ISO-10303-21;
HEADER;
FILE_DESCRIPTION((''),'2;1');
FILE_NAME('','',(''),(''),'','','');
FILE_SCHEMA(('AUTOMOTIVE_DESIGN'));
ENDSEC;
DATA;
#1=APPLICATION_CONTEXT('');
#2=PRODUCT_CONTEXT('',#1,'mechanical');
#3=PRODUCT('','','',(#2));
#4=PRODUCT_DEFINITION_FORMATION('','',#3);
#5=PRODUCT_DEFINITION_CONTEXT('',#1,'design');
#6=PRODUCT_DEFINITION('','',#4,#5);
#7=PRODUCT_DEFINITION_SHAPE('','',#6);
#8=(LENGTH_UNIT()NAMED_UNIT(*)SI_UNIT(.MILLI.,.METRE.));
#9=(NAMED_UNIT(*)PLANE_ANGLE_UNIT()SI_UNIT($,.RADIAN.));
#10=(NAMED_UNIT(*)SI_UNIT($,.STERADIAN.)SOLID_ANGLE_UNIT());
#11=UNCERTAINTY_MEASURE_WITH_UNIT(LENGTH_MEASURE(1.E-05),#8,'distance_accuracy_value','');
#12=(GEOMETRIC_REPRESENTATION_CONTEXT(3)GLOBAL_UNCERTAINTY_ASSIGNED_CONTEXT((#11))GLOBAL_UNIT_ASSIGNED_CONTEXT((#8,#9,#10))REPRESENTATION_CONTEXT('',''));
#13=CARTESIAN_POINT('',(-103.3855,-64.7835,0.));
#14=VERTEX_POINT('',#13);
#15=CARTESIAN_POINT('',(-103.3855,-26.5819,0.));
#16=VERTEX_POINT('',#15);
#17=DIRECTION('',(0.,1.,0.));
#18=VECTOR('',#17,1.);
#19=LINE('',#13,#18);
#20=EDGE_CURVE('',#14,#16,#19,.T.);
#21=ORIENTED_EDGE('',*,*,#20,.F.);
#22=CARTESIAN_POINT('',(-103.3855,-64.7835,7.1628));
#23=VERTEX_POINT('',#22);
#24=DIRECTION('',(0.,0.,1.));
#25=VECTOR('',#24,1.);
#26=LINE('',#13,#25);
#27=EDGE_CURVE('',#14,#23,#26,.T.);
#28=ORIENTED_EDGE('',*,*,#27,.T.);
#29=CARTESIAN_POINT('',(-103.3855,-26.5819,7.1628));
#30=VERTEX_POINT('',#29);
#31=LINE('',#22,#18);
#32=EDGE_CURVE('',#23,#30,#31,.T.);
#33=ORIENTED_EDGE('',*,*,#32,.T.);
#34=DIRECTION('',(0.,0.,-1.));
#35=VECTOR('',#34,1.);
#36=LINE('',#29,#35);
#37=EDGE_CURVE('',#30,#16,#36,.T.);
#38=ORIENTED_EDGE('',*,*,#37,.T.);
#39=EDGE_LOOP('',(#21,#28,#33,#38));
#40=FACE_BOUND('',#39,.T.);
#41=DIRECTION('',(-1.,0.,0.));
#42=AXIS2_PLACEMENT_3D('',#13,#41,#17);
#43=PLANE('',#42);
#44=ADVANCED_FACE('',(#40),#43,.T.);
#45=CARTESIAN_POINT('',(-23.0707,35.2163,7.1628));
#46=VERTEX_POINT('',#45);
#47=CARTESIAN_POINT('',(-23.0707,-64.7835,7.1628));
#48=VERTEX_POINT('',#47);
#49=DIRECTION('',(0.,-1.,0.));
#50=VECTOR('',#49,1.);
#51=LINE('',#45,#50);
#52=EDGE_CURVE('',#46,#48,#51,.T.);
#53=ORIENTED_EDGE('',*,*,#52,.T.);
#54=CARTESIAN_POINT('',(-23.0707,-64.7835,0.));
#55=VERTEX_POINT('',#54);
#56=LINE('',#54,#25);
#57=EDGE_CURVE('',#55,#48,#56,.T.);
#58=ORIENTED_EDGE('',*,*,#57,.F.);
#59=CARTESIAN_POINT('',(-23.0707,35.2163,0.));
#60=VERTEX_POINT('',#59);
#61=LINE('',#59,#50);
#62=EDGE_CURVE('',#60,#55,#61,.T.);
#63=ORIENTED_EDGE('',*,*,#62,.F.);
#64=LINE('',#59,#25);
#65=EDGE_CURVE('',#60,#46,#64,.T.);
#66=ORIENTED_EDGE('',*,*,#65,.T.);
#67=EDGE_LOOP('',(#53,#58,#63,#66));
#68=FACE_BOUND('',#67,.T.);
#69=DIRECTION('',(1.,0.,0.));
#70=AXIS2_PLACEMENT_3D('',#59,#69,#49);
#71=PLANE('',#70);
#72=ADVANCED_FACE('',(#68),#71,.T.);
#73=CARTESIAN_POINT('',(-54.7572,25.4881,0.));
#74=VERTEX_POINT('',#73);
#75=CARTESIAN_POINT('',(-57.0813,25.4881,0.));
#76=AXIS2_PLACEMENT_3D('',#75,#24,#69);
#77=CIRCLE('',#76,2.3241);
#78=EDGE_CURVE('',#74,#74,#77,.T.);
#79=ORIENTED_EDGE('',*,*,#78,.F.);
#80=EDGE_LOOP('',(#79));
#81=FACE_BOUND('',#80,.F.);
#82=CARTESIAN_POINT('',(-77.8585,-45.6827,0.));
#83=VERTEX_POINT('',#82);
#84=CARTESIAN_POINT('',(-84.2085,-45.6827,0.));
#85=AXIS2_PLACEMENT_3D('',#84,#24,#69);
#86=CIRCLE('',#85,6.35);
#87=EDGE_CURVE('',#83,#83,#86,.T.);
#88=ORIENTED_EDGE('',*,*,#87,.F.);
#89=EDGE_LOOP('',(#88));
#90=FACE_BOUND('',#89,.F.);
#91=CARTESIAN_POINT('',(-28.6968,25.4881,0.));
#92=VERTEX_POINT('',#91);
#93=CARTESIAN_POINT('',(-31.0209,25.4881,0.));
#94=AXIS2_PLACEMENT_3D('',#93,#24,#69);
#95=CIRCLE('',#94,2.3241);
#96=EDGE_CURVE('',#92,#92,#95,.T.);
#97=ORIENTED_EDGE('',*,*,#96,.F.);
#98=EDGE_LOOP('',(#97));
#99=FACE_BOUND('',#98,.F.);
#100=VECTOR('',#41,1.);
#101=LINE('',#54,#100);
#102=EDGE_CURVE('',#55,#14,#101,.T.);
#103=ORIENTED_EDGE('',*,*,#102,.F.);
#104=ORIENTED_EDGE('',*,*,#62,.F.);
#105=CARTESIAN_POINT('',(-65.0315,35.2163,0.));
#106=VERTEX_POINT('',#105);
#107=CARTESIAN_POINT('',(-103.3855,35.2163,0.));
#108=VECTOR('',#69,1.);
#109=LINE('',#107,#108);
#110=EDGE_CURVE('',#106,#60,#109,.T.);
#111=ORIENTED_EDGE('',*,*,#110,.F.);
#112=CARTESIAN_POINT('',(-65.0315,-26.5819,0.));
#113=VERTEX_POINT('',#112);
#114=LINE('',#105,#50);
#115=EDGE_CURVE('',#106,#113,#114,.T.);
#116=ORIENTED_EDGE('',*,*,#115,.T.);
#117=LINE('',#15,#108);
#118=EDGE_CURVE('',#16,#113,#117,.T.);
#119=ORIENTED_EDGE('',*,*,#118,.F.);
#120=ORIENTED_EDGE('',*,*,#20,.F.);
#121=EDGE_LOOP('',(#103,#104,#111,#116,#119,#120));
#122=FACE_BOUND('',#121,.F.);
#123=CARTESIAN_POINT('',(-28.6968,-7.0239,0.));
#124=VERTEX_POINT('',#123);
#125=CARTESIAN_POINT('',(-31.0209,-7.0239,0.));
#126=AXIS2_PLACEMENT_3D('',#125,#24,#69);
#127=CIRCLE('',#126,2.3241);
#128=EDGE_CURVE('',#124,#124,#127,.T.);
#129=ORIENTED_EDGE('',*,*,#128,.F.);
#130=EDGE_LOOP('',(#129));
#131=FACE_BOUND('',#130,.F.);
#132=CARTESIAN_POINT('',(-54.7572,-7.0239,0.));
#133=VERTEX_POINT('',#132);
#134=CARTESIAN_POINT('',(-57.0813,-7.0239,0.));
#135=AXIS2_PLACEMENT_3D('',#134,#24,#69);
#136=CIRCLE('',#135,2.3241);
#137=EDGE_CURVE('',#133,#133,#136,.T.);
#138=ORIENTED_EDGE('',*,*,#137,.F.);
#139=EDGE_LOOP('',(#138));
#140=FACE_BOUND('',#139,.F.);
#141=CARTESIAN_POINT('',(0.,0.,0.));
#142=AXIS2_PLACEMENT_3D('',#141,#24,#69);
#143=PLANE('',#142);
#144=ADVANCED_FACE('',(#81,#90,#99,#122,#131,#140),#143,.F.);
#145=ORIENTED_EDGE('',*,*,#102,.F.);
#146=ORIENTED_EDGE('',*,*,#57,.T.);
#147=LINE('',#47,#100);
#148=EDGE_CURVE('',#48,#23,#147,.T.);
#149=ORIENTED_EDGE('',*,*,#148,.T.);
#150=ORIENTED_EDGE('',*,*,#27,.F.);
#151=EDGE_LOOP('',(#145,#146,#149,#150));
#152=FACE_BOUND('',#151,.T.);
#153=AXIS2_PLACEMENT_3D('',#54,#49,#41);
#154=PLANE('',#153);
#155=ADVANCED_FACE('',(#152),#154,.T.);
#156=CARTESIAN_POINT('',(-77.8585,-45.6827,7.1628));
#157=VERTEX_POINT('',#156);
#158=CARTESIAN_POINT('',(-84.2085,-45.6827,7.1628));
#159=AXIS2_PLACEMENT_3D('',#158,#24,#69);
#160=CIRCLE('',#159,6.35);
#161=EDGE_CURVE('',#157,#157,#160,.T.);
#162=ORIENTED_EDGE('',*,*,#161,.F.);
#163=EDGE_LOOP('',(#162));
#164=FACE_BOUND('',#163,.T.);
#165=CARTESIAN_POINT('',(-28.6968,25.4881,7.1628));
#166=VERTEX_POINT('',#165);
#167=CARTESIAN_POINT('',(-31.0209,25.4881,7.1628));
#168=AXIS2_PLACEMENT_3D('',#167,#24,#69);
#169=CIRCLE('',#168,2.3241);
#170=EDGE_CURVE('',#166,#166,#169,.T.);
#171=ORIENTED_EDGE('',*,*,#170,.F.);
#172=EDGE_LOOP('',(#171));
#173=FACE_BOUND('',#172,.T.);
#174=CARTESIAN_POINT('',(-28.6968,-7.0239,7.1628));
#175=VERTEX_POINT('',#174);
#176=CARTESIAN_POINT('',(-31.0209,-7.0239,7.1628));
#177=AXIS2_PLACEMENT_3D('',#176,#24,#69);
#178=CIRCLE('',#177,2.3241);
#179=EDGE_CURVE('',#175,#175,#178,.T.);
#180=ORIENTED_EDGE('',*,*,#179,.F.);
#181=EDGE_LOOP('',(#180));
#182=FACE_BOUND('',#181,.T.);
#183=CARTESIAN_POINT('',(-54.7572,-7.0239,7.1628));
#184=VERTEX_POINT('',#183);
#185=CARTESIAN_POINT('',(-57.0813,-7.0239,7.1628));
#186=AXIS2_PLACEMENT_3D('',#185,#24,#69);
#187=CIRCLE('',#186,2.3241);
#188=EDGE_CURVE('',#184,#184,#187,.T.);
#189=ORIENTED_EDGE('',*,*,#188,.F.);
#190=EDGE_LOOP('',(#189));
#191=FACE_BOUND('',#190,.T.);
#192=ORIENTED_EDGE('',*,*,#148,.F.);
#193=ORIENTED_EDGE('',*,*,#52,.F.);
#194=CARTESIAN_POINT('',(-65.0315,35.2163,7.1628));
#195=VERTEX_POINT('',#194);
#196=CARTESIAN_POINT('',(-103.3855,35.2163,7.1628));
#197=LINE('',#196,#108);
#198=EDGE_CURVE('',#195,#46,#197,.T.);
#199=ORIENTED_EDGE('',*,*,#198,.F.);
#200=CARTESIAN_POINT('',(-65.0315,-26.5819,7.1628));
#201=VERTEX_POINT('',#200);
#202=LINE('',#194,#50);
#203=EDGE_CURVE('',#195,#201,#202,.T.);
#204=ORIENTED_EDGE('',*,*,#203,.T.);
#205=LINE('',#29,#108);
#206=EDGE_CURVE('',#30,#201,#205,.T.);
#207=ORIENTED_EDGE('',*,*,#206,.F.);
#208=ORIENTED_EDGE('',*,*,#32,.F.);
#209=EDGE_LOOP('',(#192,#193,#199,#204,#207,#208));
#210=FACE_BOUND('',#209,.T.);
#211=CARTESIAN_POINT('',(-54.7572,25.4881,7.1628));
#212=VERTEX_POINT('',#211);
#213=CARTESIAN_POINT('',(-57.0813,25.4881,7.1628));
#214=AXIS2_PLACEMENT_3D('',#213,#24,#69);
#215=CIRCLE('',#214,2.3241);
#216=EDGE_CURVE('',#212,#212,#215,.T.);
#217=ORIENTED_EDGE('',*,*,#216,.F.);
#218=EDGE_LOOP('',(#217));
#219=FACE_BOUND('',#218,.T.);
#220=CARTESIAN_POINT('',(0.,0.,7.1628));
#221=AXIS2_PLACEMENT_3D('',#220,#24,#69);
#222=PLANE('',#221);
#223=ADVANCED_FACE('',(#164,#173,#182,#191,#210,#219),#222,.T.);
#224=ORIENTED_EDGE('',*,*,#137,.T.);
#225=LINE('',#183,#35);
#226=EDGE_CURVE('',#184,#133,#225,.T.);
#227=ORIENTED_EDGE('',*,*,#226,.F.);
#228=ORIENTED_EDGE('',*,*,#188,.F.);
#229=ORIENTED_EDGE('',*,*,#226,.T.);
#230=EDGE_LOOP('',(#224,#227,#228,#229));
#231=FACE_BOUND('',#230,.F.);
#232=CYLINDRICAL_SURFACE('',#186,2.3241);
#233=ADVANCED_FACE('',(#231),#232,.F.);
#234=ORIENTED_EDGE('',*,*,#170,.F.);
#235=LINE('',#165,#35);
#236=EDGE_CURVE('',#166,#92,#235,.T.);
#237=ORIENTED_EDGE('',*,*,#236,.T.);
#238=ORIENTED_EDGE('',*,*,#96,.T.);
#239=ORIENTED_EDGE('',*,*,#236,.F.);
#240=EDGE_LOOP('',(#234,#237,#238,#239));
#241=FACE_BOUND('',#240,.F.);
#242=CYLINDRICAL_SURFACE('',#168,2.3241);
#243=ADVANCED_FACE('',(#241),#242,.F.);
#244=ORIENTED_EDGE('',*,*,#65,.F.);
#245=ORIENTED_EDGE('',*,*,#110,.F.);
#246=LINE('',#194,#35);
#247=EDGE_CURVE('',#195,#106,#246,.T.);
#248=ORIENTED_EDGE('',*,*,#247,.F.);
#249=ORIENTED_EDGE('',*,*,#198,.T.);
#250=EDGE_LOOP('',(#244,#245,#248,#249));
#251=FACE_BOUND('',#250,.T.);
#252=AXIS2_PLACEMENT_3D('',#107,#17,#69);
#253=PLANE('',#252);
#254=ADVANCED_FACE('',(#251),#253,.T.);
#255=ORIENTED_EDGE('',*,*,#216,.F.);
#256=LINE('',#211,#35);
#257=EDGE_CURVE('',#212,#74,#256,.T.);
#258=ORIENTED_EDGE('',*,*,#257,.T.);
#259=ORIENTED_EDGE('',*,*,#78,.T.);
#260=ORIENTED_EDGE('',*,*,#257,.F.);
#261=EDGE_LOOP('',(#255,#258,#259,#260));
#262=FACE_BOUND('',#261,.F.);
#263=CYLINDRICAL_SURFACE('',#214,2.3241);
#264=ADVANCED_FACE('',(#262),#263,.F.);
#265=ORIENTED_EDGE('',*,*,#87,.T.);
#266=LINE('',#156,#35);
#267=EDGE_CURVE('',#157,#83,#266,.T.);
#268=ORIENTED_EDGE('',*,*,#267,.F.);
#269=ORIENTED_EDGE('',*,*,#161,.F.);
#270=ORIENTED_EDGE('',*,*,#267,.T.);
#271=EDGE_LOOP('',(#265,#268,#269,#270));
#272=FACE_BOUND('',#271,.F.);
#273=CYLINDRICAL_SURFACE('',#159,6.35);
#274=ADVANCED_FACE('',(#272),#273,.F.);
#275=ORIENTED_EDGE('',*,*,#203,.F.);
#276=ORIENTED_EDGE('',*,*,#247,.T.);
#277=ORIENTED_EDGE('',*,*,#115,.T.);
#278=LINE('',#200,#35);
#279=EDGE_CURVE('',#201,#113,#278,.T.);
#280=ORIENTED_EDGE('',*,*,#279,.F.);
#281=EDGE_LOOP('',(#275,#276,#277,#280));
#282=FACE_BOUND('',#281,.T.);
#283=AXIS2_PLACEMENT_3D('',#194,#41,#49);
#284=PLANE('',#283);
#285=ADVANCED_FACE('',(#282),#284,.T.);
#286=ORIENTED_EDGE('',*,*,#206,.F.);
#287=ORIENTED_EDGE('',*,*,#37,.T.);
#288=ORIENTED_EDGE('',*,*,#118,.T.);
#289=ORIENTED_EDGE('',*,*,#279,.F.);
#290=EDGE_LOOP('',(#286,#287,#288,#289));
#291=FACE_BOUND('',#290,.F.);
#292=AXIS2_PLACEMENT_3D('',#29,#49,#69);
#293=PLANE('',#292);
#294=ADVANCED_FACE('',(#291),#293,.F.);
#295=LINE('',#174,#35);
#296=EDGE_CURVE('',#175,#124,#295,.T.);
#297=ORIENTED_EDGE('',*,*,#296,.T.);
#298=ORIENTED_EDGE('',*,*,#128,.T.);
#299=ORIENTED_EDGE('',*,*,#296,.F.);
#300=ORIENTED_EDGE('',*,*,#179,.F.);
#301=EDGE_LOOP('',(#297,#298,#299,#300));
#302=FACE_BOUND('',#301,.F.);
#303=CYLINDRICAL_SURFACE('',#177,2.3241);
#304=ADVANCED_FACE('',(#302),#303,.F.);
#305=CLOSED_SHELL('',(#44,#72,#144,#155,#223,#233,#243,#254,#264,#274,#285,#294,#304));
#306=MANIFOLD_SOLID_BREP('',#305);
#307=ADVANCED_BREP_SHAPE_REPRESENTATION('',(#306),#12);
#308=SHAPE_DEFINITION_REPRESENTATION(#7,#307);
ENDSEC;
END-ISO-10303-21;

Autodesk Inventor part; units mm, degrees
ref_plane "YZ Plane" through (0, 0, 0) normal (1, 0, 0) x (0, 1, 0)
ref_plane "XZ Plane" through (0, 0, 0) normal (0, 1, 0) x (-1, 0, 0)
ref_plane "XY Plane" through (0, 0, 0) normal (0, 0, 1) x (1, 0, 0)
sketch "Sketch1" plane through (0, 0, 0) normal (0, 0, 1) x (1, 0, 0)
  line L0 (-103.3855, 35.2163) -> (-23.0707, 35.2163)
  line L1 (-23.0707, 35.2163) -> (-23.0707, -64.7835)
  line L2 (-23.0707, -64.7835) -> (-103.3855, -64.7835)
  line L3 (-103.3855, -64.7835) -> (-103.3855, 35.2163)
  dimension "d0" = 80.3148
  dimension "d1" = 99.9998
extrude "Extrusion1" add sketch "Sketch1" along normal blind 7.1628
sketch "Sketch2" plane through (0, 0, 7.1628) normal (0, 0, 1) x (1, 0, 0)
  line L0 (-23.0707, 35.2163) -> (-103.3855, 35.2163) projected
  line L1 (-103.3855, 35.2163) -> (-103.3855, -64.7835) projected
  line L2 (-103.3855, -64.7835) -> (-23.0707, -64.7835) projected
  line L3 (-23.0707, -64.7835) -> (-23.0707, 35.2163) projected
  line L4 (-65.0315, 35.2163) -> (-65.0315, -26.5819)
  line L5 (-103.3855, -26.5819) -> (-65.0315, -26.5819)
  dimension "d4" = 41.9608
  dimension "d5" = 38.2016
extrude "Extrusion2" cut sketch "Sketch2" against normal blind 7.1628 contours L4 L5 L1 L0
sketch "Sketch3" plane through (0, 0, 7.1628) normal (0, 0, 1) x (1, 0, 0)
  line L0 (-23.0707, 35.2163) -> (-65.0315, 35.2163) projected
  line L1 (-65.0315, -26.5819) -> (-65.0315, -64.7835)
  line L2 (-23.0707, -64.7835) -> (-103.3855, -64.7835) projected
  circle A0 centre (-84.2085, -45.6827) radius 6.35
  dimension "d8" = 12.7
extrude "Extrusion3" cut sketch "Sketch3" against normal blind 7.1628
sketch "Sketch4" plane through (0, 0, 7.1628) normal (0, 0, 1) x (1, 0, 0)
  line L0 (-65.0315, -26.5819) -> (-65.0315, 35.2163) projected
  circle A0 centre (-57.0813, 25.4881) radius 2.3241
  circle A1 centre (-31.0209, 25.4881) radius 2.3241
  circle A2 centre (-57.0813, -7.0239) radius 2.3241
  circle A3 centre (-31.0209, -7.0239) radius 2.3241
  dimension "d15" = 4.6482
  dimension "d16" = 4.6482
  dimension "d17" = 4.6482
  dimension "d18" = 4.6482
extrude "Extrusion4" cut sketch "Sketch4" against normal blind 7.1628
properties part number "el torro bracket"
